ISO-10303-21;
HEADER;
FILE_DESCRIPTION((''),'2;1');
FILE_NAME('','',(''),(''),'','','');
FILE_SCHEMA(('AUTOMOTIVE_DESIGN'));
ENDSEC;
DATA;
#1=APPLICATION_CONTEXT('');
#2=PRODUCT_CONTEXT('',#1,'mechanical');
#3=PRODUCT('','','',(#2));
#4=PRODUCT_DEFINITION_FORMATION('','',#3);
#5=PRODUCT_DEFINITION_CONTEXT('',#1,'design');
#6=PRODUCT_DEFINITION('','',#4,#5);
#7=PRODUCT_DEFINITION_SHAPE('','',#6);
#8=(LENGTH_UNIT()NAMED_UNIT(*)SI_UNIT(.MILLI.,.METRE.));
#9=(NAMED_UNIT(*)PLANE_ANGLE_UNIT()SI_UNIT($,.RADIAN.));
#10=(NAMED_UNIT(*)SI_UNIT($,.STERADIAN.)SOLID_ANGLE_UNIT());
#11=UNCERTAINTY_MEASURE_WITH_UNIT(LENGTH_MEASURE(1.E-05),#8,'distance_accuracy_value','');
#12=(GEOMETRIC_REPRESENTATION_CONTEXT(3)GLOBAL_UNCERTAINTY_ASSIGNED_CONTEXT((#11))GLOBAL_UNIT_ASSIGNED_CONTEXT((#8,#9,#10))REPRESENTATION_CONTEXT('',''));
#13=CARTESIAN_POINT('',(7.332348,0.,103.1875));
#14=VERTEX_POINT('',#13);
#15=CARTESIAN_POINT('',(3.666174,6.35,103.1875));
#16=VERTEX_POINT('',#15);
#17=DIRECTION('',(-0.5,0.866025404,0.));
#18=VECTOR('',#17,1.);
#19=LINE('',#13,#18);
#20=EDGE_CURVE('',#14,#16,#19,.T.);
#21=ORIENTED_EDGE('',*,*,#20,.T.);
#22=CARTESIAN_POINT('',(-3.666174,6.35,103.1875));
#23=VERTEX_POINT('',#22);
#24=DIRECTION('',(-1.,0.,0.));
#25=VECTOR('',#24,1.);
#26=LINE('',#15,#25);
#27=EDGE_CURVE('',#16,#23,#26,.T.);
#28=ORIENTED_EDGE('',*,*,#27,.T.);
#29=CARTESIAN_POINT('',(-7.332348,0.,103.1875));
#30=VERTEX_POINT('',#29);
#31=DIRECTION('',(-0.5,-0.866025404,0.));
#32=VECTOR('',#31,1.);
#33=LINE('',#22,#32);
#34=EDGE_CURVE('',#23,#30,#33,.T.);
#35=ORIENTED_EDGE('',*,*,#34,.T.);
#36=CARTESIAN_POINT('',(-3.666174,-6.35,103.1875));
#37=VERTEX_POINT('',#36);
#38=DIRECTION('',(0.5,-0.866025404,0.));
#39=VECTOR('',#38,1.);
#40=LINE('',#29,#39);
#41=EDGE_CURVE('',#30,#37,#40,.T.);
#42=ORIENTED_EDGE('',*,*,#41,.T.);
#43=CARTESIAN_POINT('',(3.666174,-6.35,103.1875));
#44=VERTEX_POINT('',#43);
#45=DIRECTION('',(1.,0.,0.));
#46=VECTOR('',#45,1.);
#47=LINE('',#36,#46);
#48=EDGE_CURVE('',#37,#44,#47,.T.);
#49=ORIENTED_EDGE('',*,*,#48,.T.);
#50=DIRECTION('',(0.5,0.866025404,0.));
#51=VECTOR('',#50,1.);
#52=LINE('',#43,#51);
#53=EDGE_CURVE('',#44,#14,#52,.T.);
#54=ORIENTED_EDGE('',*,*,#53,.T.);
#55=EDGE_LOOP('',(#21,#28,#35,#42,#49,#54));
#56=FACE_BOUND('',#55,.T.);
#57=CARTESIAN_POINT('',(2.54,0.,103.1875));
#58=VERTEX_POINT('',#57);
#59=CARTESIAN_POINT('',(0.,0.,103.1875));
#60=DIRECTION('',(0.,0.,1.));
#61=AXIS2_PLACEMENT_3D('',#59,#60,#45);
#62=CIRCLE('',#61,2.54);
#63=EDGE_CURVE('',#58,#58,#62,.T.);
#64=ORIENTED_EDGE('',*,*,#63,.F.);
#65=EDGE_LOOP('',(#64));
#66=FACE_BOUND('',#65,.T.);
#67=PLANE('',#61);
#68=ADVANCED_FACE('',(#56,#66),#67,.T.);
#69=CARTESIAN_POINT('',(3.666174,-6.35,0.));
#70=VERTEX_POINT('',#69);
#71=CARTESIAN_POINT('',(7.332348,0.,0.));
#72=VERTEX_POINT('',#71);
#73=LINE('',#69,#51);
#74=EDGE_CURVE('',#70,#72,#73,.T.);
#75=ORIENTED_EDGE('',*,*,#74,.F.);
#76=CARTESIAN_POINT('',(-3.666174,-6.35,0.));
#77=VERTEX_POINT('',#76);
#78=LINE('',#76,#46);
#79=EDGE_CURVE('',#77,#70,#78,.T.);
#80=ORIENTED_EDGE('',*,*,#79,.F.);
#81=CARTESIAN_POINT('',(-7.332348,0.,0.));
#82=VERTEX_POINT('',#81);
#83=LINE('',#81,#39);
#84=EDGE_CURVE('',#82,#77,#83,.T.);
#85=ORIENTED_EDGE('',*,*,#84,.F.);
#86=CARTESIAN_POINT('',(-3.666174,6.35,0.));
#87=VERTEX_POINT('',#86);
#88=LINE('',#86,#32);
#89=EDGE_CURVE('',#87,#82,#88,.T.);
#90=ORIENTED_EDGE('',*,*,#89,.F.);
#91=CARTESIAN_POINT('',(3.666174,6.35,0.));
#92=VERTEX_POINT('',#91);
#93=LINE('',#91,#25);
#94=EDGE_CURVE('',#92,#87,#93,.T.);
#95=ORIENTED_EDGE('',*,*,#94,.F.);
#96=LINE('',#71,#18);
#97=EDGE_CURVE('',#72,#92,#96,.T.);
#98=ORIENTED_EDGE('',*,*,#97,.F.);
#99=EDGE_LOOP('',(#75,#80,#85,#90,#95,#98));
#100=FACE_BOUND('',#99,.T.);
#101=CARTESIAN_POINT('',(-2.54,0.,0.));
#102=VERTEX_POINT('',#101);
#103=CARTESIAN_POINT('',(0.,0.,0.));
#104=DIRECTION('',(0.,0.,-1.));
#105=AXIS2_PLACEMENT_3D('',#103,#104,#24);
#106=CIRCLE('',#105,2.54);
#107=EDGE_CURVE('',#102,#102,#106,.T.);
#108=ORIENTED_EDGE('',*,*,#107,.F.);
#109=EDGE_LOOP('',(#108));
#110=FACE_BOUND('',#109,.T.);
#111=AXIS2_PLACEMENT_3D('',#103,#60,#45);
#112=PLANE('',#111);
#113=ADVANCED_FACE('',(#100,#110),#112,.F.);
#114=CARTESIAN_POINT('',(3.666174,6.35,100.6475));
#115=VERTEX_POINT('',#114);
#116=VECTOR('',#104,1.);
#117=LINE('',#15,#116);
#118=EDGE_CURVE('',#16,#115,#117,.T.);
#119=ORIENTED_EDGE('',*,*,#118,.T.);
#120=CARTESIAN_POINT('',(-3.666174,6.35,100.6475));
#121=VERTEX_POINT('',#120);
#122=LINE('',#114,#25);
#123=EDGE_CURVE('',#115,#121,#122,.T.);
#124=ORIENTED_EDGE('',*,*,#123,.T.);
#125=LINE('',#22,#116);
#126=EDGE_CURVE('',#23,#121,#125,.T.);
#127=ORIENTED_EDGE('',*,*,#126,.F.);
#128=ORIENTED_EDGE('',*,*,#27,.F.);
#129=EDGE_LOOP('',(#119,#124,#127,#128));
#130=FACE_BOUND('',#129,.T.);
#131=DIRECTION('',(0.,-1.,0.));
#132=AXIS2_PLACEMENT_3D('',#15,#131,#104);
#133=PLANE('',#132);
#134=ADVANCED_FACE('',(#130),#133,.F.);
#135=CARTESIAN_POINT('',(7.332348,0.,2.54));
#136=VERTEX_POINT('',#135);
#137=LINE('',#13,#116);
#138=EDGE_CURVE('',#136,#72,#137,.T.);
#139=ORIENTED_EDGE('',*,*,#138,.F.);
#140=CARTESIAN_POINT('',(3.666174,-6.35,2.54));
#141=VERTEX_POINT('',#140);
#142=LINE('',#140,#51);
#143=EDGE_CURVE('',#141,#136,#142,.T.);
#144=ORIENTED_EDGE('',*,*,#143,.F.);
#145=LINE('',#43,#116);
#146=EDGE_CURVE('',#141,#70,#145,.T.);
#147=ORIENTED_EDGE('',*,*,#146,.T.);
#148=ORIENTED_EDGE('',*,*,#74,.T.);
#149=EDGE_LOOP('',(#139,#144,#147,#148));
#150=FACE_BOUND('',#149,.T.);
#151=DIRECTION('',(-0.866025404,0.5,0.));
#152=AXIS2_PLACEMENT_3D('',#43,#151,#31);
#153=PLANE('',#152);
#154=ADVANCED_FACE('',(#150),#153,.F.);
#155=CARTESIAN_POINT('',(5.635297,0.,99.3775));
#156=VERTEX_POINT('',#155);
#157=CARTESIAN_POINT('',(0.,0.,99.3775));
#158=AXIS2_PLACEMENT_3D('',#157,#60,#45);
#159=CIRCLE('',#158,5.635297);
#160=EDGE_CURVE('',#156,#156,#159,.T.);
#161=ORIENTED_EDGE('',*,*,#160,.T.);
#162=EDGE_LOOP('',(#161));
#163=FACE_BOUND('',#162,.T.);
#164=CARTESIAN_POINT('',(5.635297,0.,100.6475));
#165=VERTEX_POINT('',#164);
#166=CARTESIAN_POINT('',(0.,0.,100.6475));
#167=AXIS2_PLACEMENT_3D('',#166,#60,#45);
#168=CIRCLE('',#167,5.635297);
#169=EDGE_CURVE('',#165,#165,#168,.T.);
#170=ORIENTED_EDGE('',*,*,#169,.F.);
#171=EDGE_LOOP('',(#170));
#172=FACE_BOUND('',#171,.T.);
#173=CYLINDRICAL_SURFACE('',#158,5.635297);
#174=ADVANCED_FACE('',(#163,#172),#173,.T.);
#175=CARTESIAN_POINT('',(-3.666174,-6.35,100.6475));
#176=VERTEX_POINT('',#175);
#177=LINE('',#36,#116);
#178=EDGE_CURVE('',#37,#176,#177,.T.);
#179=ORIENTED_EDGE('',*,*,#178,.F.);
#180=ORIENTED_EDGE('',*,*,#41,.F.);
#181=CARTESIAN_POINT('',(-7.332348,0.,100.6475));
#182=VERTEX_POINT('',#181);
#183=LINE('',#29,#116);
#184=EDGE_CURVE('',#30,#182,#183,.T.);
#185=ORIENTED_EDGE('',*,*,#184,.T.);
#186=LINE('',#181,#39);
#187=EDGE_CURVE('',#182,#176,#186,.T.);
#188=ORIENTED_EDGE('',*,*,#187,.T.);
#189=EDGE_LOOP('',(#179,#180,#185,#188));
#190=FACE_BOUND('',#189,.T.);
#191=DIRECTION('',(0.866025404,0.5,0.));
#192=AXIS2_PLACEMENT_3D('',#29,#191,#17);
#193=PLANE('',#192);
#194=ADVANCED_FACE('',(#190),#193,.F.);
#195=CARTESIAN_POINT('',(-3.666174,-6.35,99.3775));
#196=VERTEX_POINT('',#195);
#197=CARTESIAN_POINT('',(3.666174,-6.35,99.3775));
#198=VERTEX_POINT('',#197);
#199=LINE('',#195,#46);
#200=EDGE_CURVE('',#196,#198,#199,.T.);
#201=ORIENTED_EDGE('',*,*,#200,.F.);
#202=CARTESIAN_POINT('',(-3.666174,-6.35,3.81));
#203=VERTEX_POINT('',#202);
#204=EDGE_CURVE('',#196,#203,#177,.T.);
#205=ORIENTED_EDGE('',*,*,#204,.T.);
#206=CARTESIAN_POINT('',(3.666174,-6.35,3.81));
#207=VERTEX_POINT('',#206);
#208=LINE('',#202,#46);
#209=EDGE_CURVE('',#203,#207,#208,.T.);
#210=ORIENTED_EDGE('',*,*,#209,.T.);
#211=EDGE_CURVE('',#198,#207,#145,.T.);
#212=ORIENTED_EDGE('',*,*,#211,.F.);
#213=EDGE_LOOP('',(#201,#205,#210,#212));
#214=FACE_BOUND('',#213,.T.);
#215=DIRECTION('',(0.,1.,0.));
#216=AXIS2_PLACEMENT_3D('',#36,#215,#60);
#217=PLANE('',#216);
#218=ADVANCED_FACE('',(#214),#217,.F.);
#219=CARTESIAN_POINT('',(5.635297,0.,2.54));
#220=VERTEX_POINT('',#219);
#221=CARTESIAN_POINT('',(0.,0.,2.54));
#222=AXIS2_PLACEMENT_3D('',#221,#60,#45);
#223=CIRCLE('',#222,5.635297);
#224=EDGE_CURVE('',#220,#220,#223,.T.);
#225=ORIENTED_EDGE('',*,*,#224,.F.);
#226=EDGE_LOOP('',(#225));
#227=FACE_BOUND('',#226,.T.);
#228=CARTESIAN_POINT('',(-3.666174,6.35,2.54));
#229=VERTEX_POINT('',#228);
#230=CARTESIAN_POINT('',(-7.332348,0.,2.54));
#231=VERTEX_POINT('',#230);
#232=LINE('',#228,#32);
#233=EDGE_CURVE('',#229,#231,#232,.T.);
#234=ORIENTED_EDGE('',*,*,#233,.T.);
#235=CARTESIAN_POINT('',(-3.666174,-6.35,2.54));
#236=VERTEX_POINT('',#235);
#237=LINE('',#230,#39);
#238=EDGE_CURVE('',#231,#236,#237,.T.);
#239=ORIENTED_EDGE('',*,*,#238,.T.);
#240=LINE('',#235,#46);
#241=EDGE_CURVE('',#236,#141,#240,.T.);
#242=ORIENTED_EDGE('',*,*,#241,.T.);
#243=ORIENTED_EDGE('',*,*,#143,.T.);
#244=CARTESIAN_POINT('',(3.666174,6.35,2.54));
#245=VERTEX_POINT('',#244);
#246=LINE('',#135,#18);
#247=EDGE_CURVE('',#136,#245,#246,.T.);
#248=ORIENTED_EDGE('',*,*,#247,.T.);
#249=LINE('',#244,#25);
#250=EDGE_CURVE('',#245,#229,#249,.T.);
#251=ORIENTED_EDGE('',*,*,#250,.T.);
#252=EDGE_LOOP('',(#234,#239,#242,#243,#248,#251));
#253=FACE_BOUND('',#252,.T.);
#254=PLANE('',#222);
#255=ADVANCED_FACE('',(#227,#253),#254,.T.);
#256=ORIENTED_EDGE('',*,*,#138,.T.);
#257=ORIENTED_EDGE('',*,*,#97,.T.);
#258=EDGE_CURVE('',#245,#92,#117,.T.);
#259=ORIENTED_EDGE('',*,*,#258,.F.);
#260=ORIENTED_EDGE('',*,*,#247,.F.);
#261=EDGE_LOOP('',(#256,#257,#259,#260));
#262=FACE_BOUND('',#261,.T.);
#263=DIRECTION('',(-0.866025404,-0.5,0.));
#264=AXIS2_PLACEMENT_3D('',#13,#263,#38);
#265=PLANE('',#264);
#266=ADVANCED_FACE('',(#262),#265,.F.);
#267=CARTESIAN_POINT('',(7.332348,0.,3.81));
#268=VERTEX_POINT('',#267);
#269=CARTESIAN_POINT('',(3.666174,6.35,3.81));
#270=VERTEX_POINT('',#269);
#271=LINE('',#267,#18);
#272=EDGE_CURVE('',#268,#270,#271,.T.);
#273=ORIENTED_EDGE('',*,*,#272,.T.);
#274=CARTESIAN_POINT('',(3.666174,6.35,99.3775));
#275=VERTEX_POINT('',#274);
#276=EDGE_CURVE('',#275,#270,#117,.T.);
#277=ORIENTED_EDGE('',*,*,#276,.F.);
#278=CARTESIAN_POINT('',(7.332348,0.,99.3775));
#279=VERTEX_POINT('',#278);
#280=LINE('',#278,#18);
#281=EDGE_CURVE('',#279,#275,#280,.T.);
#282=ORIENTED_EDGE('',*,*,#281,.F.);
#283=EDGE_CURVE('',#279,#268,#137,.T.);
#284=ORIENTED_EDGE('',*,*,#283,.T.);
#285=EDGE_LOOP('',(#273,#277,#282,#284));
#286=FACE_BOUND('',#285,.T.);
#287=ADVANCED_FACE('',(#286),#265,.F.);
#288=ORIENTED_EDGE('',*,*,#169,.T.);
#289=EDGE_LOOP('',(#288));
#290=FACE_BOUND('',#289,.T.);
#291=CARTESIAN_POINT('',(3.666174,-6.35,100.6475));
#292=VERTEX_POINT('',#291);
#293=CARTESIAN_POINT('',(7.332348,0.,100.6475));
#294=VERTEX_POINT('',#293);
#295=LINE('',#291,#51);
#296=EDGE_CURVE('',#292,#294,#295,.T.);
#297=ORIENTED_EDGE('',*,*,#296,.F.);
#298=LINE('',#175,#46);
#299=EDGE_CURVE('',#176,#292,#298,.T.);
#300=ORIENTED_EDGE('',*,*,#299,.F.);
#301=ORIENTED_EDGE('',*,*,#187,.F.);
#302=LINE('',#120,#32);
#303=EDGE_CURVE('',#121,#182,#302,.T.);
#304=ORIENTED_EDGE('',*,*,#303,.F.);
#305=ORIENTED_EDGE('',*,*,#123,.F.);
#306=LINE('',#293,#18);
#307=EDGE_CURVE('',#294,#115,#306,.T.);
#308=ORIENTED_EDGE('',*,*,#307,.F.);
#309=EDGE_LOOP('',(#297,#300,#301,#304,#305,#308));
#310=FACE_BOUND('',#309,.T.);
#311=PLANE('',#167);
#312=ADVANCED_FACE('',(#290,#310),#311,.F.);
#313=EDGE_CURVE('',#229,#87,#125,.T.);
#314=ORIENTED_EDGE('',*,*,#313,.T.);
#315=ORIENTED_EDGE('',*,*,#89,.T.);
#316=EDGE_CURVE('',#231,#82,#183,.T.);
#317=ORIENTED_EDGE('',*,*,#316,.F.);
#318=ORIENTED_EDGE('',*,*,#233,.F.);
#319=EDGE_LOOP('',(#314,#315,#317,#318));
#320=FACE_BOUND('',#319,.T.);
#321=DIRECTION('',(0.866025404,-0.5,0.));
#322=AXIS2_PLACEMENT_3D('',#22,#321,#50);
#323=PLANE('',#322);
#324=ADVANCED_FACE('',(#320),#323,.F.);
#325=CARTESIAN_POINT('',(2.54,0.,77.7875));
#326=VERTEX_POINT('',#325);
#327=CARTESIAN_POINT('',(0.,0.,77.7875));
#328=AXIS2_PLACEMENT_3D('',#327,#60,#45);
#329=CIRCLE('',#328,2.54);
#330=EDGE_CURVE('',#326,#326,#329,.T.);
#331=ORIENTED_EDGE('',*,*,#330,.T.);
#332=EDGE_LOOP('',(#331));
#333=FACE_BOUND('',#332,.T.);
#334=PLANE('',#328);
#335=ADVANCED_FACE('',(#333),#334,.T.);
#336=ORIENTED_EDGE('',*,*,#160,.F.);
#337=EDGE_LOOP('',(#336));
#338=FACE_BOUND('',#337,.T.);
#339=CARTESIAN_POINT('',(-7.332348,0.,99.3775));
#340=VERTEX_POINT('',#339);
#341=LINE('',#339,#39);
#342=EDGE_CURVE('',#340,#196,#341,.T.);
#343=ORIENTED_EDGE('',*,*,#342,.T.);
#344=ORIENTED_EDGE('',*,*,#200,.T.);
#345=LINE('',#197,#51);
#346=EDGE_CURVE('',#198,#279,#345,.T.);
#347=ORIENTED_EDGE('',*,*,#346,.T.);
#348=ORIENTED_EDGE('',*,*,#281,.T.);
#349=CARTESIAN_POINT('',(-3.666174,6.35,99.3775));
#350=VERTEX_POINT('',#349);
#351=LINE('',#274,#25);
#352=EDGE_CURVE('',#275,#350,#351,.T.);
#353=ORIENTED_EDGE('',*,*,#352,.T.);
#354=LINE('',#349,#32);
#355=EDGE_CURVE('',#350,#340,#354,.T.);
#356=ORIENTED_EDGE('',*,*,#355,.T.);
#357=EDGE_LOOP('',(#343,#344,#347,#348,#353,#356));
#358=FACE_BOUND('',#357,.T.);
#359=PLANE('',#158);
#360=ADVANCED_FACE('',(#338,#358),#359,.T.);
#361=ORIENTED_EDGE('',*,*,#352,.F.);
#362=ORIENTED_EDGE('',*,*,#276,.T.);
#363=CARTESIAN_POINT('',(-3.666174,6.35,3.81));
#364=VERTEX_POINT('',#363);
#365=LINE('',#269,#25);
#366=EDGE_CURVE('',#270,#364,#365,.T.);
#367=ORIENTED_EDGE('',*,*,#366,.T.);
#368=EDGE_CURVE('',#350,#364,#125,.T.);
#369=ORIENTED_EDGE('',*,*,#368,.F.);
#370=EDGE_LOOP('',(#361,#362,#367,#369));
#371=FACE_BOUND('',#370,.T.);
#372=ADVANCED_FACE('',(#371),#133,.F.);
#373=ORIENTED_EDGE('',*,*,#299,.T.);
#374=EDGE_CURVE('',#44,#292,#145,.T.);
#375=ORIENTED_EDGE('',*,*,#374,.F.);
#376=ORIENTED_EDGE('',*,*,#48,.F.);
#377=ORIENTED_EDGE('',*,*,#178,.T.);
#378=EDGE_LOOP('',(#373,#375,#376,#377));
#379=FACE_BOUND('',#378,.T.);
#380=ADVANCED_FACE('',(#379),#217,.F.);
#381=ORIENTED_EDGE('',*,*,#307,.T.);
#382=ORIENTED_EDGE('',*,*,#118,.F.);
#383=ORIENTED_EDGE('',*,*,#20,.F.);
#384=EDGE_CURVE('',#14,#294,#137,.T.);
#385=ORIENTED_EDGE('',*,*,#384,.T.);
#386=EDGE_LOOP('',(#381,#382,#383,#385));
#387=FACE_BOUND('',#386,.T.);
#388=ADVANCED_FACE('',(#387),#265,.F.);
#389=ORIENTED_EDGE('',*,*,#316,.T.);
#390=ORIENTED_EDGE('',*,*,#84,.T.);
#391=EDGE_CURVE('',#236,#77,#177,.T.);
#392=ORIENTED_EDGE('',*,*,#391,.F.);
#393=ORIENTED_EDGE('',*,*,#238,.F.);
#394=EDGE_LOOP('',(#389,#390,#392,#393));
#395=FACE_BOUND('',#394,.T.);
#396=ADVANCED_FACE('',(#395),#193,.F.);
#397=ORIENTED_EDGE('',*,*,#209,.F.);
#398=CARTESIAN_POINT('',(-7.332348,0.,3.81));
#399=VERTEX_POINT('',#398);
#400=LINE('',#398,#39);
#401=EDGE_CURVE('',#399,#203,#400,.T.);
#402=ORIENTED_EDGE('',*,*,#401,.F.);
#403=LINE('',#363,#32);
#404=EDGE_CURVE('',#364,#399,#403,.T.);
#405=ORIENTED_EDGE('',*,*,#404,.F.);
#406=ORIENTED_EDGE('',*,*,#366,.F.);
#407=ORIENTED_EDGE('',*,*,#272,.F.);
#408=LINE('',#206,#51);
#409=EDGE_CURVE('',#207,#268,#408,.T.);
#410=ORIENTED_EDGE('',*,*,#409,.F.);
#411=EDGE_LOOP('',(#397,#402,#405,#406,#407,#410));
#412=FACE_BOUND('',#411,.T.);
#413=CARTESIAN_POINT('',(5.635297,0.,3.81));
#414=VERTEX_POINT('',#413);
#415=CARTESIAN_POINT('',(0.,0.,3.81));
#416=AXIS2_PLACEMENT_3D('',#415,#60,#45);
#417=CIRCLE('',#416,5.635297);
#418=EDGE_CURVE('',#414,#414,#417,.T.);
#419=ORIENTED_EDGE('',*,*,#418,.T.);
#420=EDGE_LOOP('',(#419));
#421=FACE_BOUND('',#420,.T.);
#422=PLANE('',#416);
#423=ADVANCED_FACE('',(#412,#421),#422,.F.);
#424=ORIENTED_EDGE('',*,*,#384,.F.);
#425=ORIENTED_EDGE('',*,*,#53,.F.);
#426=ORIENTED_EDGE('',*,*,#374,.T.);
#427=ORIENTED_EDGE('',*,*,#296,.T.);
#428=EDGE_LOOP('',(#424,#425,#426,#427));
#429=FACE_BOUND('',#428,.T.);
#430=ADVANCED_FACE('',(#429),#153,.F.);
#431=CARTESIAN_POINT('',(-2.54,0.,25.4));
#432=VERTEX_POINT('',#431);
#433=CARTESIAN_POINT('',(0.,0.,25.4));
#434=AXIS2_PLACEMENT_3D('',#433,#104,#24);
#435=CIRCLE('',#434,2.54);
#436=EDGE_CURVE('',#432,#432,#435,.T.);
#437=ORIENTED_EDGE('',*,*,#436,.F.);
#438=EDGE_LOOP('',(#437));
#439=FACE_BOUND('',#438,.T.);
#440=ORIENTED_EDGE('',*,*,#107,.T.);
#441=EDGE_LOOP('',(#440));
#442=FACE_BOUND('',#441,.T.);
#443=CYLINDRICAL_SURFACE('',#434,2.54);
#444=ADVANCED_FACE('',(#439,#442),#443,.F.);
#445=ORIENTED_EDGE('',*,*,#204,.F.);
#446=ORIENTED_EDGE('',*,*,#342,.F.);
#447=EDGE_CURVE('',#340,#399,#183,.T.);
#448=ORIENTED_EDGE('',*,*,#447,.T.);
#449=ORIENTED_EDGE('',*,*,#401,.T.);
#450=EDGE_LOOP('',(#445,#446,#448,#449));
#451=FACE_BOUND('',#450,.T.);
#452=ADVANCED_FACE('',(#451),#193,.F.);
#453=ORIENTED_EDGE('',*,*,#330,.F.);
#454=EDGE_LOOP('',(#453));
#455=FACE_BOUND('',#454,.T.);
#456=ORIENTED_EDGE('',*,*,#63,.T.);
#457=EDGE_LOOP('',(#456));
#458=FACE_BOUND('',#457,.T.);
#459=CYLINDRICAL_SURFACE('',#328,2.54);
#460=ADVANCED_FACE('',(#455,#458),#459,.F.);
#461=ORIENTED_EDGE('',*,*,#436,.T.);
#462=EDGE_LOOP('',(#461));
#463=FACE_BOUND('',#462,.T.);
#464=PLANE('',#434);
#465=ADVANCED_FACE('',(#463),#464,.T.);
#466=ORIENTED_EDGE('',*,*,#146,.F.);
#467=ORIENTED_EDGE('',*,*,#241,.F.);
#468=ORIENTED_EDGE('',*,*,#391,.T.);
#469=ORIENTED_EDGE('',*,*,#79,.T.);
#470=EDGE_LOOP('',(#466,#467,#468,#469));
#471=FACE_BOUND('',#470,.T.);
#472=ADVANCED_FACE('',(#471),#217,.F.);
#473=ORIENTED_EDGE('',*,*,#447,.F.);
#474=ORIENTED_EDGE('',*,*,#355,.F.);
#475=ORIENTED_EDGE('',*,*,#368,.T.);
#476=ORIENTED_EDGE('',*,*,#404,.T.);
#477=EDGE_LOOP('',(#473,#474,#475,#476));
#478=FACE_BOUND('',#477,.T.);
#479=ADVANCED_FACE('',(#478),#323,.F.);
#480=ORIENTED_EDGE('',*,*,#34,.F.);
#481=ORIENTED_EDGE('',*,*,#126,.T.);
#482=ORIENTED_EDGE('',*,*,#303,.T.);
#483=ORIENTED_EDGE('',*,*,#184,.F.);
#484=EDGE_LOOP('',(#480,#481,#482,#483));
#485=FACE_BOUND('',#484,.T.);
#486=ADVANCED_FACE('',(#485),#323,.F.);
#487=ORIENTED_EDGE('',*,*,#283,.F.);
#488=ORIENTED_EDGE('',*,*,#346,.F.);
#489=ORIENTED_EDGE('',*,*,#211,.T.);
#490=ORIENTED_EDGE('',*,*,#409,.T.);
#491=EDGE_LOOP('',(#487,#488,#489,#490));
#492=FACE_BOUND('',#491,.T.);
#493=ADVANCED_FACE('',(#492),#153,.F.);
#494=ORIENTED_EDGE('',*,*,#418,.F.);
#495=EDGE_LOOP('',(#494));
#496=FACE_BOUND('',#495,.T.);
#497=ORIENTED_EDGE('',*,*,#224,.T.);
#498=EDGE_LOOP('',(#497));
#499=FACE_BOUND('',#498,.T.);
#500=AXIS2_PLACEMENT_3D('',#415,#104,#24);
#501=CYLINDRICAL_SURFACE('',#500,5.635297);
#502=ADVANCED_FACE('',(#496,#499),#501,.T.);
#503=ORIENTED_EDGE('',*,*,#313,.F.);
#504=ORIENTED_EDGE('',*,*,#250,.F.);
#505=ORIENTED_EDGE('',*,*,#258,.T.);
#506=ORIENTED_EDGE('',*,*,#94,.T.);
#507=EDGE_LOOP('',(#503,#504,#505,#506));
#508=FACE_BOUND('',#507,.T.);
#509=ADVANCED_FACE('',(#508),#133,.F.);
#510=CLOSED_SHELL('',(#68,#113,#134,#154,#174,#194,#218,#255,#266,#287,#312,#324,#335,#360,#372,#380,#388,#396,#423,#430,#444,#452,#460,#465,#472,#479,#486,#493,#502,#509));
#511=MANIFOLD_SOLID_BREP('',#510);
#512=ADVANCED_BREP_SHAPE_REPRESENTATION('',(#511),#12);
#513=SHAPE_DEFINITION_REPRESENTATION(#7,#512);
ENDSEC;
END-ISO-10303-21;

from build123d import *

# Parameters (mm, degrees)
BOSS_EXTRUDE1_DEPTH = 103.1875
SKETCH2_R           = 9.90966703
SKETCH2_R_2         = 5.635297177
CUT_EXTRUDE1_DEPTH  = 1.27
SKETCH3_R           = 2.54
CUT_EXTRUDE2_DEPTH  = 25.4
CUT_EXTRUDE3_START  = -1.27
SKETCH4_R           = 26.134229338
SKETCH4_R_2         = 5.635297177
CUT_EXTRUDE3_DEPTH  = 1.27
CUT_EXTRUDE4_START  = -25.4
SKETCH5_R           = 2.54
CUT_EXTRUDE4_DEPTH  = 25.4


with BuildPart() as part:
    # Sketch1 → Boss-Extrude1 (new body)
    with BuildSketch(Plane.XY):
        Polygon((7.332348419, 0), (3.666174209, 6.35), (-3.666174209, 6.35), (-7.332348419, 0), (-3.666174209, -6.35), (3.666174209, -6.35), align=None)
    extrude(amount=BOSS_EXTRUDE1_DEPTH)

    # Sketch2 → Cut-Extrude1 (cut)
    with BuildSketch(Plane.XY.offset(2.54)):
        Circle(SKETCH2_R)
        Circle(SKETCH2_R_2, mode=Mode.SUBTRACT)
    extrude(amount=CUT_EXTRUDE1_DEPTH, mode=Mode.SUBTRACT)

    # Sketch3 → Cut-Extrude2 (cut)
    with BuildSketch(Plane(origin=(0, 0, 0), x_dir=(-1, 0, 0), z_dir=(0, 0, -1))):
        Circle(SKETCH3_R)
    extrude(amount=-CUT_EXTRUDE2_DEPTH, mode=Mode.SUBTRACT)

    # Sketch4 → Cut-Extrude3 (cut)
    with BuildSketch(Plane.XY.offset(100.6475).offset(CUT_EXTRUDE3_START)):
        Circle(SKETCH4_R)
        Circle(SKETCH4_R_2, mode=Mode.SUBTRACT)
    extrude(amount=CUT_EXTRUDE3_DEPTH, mode=Mode.SUBTRACT)

    # Sketch5 → Cut-Extrude4 (cut)
    with BuildSketch(Plane.XY.offset(103.1875).offset(CUT_EXTRUDE4_START)):
        Circle(SKETCH5_R)
    extrude(amount=CUT_EXTRUDE4_DEPTH, mode=Mode.SUBTRACT)


solid = part.part
